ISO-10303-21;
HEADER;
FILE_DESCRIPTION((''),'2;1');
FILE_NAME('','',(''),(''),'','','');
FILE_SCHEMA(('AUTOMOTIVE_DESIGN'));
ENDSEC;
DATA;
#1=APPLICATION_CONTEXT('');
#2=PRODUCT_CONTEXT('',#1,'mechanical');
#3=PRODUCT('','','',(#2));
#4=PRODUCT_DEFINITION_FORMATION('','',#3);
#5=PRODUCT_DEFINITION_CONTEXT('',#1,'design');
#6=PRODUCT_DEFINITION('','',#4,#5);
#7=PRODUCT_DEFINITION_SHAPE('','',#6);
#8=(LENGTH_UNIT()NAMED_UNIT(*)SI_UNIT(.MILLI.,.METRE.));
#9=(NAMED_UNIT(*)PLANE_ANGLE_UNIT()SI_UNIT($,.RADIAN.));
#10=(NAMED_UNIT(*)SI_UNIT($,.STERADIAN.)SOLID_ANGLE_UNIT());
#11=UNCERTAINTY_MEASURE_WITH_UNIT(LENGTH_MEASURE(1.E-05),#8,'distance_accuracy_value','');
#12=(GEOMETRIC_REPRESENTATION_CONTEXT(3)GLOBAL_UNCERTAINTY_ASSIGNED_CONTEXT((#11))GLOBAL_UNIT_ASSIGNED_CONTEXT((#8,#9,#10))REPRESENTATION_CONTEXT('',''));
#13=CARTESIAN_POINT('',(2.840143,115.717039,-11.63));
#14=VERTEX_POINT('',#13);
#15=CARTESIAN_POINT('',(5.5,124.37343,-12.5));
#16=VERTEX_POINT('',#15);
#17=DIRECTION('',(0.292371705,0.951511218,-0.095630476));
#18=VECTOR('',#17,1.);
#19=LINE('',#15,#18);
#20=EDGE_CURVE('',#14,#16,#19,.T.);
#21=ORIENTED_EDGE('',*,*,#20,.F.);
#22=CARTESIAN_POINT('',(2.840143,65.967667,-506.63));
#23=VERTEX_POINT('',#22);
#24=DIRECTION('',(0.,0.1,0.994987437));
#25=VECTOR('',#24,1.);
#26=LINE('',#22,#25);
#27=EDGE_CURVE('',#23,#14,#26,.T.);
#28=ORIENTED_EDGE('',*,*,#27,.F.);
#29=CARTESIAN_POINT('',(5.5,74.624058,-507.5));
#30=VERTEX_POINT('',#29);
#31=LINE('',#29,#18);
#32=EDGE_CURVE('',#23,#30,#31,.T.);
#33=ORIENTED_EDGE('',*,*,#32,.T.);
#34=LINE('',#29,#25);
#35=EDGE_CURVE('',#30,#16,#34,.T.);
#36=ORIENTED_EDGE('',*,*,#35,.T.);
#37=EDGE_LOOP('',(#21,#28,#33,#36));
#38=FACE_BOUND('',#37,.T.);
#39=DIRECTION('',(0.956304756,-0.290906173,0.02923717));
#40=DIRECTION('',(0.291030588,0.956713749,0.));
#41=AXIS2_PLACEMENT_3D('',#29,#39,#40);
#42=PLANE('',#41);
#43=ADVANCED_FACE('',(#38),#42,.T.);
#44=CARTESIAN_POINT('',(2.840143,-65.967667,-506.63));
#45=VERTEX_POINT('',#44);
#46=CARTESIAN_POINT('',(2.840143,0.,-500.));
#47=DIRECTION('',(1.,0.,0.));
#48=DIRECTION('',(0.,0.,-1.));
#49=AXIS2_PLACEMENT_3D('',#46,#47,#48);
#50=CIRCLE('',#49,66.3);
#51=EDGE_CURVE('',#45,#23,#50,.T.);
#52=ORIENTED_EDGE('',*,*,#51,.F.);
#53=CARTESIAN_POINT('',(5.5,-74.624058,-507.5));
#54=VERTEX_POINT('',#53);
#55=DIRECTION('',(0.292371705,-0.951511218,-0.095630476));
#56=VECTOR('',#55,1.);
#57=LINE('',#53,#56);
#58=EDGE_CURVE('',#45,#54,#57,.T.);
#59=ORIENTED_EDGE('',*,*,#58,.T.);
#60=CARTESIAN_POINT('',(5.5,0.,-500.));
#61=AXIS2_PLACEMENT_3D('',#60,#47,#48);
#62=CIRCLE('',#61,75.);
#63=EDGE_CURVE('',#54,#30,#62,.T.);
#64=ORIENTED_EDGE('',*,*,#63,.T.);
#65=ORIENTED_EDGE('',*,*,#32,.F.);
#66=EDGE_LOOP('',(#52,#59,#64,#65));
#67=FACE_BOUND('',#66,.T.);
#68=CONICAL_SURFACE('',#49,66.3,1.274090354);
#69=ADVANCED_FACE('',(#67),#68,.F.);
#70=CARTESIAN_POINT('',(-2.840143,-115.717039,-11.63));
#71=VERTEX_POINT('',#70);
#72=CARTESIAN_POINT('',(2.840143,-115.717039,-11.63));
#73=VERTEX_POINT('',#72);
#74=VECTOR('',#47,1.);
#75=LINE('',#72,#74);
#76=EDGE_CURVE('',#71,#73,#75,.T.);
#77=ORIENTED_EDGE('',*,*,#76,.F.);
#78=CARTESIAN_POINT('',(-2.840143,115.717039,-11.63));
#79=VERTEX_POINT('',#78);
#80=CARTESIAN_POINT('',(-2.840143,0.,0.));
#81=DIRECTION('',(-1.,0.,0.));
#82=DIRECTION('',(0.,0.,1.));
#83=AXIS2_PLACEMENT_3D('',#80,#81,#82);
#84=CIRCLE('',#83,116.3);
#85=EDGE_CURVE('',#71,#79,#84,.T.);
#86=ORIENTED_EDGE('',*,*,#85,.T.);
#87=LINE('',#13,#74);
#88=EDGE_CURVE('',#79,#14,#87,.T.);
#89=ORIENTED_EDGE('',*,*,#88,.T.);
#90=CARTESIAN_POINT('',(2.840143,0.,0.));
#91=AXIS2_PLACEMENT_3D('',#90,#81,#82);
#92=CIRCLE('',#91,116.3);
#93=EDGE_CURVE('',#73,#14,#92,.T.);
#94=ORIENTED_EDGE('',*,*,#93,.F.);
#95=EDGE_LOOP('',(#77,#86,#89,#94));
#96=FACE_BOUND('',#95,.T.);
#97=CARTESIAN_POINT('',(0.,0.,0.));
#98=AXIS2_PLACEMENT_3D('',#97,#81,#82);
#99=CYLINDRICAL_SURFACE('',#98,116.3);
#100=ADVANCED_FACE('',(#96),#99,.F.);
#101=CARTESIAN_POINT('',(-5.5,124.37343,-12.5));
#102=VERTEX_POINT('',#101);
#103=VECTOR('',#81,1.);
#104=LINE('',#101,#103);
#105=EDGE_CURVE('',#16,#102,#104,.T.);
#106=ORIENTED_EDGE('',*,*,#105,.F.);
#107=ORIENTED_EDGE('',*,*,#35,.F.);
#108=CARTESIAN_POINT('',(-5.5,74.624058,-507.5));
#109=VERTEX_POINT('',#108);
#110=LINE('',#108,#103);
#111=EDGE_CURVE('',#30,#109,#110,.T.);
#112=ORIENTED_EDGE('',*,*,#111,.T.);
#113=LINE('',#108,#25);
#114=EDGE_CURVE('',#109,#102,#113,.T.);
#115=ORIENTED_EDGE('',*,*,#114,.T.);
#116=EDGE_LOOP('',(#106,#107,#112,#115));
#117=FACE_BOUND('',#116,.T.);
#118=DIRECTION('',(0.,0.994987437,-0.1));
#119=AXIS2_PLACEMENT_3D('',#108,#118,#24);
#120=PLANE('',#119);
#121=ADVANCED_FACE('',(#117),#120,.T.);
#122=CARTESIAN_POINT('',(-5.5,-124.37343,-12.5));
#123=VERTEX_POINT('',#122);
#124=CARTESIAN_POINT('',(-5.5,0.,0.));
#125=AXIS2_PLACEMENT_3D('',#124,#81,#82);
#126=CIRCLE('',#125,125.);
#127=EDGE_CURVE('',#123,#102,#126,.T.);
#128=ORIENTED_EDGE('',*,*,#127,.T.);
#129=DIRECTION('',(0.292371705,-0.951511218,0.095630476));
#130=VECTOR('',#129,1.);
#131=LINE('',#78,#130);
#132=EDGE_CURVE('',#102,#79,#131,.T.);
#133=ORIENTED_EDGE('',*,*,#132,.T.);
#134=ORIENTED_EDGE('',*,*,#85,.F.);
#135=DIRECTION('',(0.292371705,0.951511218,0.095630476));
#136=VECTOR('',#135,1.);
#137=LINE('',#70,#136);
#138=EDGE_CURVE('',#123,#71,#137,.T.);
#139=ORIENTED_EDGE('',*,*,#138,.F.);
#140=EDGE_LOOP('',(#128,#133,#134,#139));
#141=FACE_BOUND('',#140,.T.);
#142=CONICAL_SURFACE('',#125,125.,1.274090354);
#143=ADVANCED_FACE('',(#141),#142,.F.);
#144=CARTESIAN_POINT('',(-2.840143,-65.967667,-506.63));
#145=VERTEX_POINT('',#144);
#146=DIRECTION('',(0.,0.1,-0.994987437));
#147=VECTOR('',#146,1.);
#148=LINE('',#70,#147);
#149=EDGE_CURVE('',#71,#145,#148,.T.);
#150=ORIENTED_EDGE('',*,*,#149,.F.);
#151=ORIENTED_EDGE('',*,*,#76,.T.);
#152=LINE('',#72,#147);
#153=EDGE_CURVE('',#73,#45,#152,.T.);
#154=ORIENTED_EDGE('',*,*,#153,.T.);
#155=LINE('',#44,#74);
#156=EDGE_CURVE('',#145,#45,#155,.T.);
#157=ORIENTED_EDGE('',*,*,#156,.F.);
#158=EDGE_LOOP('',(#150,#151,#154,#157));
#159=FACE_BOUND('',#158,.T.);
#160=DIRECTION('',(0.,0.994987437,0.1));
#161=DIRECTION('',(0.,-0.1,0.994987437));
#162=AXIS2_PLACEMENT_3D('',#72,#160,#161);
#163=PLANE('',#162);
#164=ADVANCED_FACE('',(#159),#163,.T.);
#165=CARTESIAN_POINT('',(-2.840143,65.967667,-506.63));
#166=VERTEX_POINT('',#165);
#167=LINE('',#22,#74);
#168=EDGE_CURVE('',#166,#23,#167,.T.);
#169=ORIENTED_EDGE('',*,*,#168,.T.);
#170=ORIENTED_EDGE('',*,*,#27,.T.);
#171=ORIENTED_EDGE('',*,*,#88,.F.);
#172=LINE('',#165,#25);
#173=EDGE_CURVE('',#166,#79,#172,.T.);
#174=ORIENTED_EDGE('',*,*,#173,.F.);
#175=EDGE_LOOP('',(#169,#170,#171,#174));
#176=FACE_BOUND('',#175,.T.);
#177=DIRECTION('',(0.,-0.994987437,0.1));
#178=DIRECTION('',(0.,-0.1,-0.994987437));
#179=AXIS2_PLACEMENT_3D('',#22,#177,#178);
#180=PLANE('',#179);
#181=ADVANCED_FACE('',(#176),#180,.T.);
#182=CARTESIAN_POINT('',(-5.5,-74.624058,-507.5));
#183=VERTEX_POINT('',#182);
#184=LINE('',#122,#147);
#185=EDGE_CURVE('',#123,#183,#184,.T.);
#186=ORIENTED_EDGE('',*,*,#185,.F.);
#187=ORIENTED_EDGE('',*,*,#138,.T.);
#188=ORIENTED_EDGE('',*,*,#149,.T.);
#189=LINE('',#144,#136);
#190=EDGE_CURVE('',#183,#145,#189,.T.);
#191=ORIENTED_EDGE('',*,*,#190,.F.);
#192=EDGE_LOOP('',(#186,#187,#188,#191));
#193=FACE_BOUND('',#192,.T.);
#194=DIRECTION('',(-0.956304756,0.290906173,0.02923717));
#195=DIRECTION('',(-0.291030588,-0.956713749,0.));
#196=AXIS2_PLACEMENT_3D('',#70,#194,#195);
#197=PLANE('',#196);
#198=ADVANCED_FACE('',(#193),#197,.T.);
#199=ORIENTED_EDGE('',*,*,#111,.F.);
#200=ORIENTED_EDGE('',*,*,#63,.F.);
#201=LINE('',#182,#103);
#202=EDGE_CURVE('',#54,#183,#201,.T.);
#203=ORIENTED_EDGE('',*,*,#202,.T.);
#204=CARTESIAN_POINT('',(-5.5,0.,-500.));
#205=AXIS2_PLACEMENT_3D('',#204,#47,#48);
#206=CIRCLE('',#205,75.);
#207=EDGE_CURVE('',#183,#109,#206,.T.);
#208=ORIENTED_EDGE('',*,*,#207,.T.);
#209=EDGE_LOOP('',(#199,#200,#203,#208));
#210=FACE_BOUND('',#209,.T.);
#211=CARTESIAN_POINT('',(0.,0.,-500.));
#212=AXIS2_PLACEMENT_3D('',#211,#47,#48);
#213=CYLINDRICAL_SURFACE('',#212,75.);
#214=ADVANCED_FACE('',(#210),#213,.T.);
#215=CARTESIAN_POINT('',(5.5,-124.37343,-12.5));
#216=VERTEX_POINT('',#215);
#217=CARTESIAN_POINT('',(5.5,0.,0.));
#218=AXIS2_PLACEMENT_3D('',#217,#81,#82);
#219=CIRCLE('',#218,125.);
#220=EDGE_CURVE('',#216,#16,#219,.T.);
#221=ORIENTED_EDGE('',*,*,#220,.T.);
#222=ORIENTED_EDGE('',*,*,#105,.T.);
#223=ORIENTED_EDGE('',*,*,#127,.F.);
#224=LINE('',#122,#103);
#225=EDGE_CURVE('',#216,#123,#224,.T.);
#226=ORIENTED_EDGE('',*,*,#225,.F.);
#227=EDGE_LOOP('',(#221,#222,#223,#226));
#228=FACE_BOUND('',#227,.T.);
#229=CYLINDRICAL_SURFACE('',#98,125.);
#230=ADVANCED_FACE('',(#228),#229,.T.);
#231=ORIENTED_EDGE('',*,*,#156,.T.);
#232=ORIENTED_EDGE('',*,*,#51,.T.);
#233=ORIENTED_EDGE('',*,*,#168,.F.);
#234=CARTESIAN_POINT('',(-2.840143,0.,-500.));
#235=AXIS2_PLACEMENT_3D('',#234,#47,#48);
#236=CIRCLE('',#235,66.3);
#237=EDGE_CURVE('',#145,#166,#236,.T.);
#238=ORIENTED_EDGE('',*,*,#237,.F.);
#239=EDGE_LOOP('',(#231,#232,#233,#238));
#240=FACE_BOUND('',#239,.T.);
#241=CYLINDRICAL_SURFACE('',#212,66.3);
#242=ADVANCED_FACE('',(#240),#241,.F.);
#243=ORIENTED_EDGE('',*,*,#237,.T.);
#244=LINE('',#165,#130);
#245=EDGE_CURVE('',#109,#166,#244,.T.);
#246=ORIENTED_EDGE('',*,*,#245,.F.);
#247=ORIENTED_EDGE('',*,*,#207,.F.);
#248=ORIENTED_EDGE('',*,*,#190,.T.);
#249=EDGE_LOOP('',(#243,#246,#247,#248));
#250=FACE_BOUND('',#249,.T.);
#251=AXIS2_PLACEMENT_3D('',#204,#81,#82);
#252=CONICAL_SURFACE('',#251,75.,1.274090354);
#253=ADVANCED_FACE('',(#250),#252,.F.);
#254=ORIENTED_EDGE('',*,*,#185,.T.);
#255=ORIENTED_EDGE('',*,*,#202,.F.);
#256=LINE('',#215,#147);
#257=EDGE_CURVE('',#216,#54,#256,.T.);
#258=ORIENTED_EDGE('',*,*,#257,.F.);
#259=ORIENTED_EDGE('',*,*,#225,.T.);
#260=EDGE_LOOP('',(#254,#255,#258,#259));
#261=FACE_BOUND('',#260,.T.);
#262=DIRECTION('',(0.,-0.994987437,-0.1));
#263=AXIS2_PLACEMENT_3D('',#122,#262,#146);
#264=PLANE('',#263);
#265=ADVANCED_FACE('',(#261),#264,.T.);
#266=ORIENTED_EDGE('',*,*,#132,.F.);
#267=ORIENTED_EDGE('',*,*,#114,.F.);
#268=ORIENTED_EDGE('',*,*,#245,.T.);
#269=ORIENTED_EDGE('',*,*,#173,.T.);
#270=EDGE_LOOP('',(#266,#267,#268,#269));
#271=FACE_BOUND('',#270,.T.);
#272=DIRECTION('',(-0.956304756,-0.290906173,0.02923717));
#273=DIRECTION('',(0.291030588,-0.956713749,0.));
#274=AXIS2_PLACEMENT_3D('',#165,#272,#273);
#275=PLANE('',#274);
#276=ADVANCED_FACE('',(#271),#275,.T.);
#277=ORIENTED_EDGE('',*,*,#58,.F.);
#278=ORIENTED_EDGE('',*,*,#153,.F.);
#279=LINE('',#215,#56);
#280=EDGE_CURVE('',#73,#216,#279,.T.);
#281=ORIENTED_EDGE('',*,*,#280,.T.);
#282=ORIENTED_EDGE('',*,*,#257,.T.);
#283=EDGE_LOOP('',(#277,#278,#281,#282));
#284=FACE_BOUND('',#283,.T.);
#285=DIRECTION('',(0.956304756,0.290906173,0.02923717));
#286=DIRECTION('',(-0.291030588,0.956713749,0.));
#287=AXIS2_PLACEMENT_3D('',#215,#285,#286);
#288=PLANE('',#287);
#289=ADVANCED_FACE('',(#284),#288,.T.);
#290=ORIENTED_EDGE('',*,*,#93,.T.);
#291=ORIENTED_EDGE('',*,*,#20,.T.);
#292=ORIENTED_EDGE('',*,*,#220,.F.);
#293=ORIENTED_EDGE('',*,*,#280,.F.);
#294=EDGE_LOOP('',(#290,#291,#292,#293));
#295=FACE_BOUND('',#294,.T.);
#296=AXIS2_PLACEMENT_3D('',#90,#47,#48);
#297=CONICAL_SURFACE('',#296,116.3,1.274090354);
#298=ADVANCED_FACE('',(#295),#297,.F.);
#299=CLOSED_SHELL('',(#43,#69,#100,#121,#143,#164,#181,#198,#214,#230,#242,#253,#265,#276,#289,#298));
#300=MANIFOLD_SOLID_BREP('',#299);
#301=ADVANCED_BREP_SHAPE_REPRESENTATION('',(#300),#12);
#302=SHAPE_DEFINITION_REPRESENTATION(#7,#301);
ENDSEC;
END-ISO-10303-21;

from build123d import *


with BuildPart() as part:
    # 扫描1: sweep along a path in 草图1
    with BuildLine(Plane(origin=(0, 0, 0), x_dir=(0, 0, -1), z_dir=(1, 0, 0))) as sweep_1_path:
        Line((12.5, 124.373429638), (507.5, 74.624057783))
        ThreePointArc((507.5, 74.624057783), (575, 0), (507.5, -74.624057783))
        Line((507.5, -74.624057783), (12.5, -124.373429638))
        ThreePointArc((12.5, -124.373429638), (-125, 0), (12.5, 124.373429638))
    # 草图2 → 扫描1 (sweep)
    with BuildSketch(Plane.XY):
        Polygon((-5.5, 125), (5.5, 125), (2.840143071, 116.3), (-2.840143071, 116.3), align=None)
    sweep(path=sweep_1_path.line)


solid = part.part
